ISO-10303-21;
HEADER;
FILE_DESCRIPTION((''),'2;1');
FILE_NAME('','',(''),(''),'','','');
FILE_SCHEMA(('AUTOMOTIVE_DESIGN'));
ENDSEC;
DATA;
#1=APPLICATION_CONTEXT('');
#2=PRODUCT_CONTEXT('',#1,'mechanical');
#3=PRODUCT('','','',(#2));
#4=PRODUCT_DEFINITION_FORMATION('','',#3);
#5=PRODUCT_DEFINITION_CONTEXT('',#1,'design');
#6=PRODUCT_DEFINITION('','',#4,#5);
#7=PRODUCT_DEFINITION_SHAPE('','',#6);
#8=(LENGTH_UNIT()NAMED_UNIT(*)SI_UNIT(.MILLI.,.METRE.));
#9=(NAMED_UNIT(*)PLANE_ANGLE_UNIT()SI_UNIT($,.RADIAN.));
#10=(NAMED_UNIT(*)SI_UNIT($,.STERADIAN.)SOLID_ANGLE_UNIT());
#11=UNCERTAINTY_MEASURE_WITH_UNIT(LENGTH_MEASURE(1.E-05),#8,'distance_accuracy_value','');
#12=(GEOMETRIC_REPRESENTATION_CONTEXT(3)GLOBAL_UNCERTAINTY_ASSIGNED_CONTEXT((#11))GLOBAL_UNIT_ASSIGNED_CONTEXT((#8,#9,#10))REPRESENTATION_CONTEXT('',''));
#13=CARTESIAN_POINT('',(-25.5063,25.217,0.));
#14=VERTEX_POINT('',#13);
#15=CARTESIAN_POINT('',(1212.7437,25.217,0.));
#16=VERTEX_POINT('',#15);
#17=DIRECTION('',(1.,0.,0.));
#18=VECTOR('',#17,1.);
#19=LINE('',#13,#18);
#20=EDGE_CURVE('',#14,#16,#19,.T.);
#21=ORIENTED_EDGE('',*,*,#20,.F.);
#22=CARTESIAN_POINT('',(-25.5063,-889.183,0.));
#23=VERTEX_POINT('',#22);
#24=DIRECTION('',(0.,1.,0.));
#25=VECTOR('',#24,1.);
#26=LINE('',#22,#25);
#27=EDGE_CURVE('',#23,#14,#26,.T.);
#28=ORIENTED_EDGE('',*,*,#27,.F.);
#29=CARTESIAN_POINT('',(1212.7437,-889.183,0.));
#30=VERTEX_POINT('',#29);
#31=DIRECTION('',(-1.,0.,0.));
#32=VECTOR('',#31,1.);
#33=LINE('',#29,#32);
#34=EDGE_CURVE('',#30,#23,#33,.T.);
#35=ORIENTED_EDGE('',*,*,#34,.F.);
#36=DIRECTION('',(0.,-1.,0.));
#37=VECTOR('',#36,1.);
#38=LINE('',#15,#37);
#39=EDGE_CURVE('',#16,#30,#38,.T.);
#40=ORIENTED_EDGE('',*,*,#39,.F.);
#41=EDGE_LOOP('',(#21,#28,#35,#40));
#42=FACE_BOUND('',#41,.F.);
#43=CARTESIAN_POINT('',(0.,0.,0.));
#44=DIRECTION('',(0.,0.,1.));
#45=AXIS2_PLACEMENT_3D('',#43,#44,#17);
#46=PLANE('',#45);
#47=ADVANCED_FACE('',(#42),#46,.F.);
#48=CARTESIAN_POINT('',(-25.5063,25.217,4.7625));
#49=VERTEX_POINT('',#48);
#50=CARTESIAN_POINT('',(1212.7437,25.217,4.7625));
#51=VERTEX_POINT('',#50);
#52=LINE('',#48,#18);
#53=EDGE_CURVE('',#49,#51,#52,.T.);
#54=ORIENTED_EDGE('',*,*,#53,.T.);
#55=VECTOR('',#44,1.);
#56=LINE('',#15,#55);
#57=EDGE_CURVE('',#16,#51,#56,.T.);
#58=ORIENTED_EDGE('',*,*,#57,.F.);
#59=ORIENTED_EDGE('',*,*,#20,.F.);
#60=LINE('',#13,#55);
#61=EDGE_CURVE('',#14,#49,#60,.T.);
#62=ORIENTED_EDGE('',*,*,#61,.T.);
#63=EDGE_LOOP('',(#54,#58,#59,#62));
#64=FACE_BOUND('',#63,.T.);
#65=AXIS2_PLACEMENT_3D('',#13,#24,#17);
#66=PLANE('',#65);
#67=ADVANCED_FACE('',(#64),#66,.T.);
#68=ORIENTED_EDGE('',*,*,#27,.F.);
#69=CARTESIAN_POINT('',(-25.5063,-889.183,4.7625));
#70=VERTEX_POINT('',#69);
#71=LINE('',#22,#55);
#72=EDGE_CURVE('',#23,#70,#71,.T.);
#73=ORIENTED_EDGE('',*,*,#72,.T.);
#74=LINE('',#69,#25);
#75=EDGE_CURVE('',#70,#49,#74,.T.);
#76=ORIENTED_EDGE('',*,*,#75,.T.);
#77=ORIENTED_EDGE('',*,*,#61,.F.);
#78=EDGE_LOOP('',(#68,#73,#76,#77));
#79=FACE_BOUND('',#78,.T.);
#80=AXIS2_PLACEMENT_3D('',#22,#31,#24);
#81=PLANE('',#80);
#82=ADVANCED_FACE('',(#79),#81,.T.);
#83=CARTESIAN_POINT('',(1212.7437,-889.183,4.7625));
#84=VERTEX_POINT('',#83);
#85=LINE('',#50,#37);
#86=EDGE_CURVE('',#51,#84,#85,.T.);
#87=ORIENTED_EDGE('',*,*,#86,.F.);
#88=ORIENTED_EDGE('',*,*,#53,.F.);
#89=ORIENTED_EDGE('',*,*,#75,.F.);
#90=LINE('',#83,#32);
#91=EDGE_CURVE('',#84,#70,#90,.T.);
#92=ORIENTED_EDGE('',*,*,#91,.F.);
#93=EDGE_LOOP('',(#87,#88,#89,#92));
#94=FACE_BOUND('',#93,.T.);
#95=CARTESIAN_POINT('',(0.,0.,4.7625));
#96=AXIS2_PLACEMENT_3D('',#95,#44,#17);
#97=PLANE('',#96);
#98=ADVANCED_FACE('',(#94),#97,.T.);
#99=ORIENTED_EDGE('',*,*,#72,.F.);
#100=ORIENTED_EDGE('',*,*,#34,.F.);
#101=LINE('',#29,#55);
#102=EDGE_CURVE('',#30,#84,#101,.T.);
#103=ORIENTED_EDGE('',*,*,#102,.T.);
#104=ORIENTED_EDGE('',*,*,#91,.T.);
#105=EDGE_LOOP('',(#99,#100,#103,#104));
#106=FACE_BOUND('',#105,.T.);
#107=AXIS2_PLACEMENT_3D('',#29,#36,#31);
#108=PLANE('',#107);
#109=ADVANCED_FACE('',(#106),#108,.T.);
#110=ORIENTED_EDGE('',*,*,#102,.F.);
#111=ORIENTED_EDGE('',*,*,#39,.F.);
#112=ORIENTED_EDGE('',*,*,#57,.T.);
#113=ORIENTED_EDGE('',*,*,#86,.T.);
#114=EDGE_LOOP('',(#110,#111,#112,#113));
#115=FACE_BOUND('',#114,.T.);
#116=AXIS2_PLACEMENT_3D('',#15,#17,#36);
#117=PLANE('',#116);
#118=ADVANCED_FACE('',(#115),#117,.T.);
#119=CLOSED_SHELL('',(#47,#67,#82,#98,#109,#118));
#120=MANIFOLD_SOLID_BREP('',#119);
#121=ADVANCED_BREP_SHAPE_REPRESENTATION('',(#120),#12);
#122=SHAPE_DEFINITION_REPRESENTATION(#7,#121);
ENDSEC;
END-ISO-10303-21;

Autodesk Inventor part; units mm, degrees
ref_plane "YZ Plane" through (0, 0, 0) normal (1, 0, 0) x (0, 1, 0)
ref_plane "XZ Plane" through (0, 0, 0) normal (0, 1, 0) x (-1, 0, 0)
ref_plane "XY Plane" through (0, 0, 0) normal (0, 0, 1) x (1, 0, 0)
sketch "Sketch1" plane through (0, 0, 0) normal (0, 0, 1) x (1, 0, 0)
  line L0 (-25.5063, 25.217) -> (1212.7437, 25.217)
  line L1 (1212.7437, 25.217) -> (1212.7437, -889.183)
  line L2 (1212.7437, -889.183) -> (-25.5063, -889.183)
  line L3 (-25.5063, -889.183) -> (-25.5063, 25.217)
  point P0 (0, 0)
  dimension "d0" = 1238.25
  dimension "d1" = 914.4
extrude "Extrusion1" add sketch "Sketch1" along normal blind 4.7625
properties part number "GE-11041-01"
